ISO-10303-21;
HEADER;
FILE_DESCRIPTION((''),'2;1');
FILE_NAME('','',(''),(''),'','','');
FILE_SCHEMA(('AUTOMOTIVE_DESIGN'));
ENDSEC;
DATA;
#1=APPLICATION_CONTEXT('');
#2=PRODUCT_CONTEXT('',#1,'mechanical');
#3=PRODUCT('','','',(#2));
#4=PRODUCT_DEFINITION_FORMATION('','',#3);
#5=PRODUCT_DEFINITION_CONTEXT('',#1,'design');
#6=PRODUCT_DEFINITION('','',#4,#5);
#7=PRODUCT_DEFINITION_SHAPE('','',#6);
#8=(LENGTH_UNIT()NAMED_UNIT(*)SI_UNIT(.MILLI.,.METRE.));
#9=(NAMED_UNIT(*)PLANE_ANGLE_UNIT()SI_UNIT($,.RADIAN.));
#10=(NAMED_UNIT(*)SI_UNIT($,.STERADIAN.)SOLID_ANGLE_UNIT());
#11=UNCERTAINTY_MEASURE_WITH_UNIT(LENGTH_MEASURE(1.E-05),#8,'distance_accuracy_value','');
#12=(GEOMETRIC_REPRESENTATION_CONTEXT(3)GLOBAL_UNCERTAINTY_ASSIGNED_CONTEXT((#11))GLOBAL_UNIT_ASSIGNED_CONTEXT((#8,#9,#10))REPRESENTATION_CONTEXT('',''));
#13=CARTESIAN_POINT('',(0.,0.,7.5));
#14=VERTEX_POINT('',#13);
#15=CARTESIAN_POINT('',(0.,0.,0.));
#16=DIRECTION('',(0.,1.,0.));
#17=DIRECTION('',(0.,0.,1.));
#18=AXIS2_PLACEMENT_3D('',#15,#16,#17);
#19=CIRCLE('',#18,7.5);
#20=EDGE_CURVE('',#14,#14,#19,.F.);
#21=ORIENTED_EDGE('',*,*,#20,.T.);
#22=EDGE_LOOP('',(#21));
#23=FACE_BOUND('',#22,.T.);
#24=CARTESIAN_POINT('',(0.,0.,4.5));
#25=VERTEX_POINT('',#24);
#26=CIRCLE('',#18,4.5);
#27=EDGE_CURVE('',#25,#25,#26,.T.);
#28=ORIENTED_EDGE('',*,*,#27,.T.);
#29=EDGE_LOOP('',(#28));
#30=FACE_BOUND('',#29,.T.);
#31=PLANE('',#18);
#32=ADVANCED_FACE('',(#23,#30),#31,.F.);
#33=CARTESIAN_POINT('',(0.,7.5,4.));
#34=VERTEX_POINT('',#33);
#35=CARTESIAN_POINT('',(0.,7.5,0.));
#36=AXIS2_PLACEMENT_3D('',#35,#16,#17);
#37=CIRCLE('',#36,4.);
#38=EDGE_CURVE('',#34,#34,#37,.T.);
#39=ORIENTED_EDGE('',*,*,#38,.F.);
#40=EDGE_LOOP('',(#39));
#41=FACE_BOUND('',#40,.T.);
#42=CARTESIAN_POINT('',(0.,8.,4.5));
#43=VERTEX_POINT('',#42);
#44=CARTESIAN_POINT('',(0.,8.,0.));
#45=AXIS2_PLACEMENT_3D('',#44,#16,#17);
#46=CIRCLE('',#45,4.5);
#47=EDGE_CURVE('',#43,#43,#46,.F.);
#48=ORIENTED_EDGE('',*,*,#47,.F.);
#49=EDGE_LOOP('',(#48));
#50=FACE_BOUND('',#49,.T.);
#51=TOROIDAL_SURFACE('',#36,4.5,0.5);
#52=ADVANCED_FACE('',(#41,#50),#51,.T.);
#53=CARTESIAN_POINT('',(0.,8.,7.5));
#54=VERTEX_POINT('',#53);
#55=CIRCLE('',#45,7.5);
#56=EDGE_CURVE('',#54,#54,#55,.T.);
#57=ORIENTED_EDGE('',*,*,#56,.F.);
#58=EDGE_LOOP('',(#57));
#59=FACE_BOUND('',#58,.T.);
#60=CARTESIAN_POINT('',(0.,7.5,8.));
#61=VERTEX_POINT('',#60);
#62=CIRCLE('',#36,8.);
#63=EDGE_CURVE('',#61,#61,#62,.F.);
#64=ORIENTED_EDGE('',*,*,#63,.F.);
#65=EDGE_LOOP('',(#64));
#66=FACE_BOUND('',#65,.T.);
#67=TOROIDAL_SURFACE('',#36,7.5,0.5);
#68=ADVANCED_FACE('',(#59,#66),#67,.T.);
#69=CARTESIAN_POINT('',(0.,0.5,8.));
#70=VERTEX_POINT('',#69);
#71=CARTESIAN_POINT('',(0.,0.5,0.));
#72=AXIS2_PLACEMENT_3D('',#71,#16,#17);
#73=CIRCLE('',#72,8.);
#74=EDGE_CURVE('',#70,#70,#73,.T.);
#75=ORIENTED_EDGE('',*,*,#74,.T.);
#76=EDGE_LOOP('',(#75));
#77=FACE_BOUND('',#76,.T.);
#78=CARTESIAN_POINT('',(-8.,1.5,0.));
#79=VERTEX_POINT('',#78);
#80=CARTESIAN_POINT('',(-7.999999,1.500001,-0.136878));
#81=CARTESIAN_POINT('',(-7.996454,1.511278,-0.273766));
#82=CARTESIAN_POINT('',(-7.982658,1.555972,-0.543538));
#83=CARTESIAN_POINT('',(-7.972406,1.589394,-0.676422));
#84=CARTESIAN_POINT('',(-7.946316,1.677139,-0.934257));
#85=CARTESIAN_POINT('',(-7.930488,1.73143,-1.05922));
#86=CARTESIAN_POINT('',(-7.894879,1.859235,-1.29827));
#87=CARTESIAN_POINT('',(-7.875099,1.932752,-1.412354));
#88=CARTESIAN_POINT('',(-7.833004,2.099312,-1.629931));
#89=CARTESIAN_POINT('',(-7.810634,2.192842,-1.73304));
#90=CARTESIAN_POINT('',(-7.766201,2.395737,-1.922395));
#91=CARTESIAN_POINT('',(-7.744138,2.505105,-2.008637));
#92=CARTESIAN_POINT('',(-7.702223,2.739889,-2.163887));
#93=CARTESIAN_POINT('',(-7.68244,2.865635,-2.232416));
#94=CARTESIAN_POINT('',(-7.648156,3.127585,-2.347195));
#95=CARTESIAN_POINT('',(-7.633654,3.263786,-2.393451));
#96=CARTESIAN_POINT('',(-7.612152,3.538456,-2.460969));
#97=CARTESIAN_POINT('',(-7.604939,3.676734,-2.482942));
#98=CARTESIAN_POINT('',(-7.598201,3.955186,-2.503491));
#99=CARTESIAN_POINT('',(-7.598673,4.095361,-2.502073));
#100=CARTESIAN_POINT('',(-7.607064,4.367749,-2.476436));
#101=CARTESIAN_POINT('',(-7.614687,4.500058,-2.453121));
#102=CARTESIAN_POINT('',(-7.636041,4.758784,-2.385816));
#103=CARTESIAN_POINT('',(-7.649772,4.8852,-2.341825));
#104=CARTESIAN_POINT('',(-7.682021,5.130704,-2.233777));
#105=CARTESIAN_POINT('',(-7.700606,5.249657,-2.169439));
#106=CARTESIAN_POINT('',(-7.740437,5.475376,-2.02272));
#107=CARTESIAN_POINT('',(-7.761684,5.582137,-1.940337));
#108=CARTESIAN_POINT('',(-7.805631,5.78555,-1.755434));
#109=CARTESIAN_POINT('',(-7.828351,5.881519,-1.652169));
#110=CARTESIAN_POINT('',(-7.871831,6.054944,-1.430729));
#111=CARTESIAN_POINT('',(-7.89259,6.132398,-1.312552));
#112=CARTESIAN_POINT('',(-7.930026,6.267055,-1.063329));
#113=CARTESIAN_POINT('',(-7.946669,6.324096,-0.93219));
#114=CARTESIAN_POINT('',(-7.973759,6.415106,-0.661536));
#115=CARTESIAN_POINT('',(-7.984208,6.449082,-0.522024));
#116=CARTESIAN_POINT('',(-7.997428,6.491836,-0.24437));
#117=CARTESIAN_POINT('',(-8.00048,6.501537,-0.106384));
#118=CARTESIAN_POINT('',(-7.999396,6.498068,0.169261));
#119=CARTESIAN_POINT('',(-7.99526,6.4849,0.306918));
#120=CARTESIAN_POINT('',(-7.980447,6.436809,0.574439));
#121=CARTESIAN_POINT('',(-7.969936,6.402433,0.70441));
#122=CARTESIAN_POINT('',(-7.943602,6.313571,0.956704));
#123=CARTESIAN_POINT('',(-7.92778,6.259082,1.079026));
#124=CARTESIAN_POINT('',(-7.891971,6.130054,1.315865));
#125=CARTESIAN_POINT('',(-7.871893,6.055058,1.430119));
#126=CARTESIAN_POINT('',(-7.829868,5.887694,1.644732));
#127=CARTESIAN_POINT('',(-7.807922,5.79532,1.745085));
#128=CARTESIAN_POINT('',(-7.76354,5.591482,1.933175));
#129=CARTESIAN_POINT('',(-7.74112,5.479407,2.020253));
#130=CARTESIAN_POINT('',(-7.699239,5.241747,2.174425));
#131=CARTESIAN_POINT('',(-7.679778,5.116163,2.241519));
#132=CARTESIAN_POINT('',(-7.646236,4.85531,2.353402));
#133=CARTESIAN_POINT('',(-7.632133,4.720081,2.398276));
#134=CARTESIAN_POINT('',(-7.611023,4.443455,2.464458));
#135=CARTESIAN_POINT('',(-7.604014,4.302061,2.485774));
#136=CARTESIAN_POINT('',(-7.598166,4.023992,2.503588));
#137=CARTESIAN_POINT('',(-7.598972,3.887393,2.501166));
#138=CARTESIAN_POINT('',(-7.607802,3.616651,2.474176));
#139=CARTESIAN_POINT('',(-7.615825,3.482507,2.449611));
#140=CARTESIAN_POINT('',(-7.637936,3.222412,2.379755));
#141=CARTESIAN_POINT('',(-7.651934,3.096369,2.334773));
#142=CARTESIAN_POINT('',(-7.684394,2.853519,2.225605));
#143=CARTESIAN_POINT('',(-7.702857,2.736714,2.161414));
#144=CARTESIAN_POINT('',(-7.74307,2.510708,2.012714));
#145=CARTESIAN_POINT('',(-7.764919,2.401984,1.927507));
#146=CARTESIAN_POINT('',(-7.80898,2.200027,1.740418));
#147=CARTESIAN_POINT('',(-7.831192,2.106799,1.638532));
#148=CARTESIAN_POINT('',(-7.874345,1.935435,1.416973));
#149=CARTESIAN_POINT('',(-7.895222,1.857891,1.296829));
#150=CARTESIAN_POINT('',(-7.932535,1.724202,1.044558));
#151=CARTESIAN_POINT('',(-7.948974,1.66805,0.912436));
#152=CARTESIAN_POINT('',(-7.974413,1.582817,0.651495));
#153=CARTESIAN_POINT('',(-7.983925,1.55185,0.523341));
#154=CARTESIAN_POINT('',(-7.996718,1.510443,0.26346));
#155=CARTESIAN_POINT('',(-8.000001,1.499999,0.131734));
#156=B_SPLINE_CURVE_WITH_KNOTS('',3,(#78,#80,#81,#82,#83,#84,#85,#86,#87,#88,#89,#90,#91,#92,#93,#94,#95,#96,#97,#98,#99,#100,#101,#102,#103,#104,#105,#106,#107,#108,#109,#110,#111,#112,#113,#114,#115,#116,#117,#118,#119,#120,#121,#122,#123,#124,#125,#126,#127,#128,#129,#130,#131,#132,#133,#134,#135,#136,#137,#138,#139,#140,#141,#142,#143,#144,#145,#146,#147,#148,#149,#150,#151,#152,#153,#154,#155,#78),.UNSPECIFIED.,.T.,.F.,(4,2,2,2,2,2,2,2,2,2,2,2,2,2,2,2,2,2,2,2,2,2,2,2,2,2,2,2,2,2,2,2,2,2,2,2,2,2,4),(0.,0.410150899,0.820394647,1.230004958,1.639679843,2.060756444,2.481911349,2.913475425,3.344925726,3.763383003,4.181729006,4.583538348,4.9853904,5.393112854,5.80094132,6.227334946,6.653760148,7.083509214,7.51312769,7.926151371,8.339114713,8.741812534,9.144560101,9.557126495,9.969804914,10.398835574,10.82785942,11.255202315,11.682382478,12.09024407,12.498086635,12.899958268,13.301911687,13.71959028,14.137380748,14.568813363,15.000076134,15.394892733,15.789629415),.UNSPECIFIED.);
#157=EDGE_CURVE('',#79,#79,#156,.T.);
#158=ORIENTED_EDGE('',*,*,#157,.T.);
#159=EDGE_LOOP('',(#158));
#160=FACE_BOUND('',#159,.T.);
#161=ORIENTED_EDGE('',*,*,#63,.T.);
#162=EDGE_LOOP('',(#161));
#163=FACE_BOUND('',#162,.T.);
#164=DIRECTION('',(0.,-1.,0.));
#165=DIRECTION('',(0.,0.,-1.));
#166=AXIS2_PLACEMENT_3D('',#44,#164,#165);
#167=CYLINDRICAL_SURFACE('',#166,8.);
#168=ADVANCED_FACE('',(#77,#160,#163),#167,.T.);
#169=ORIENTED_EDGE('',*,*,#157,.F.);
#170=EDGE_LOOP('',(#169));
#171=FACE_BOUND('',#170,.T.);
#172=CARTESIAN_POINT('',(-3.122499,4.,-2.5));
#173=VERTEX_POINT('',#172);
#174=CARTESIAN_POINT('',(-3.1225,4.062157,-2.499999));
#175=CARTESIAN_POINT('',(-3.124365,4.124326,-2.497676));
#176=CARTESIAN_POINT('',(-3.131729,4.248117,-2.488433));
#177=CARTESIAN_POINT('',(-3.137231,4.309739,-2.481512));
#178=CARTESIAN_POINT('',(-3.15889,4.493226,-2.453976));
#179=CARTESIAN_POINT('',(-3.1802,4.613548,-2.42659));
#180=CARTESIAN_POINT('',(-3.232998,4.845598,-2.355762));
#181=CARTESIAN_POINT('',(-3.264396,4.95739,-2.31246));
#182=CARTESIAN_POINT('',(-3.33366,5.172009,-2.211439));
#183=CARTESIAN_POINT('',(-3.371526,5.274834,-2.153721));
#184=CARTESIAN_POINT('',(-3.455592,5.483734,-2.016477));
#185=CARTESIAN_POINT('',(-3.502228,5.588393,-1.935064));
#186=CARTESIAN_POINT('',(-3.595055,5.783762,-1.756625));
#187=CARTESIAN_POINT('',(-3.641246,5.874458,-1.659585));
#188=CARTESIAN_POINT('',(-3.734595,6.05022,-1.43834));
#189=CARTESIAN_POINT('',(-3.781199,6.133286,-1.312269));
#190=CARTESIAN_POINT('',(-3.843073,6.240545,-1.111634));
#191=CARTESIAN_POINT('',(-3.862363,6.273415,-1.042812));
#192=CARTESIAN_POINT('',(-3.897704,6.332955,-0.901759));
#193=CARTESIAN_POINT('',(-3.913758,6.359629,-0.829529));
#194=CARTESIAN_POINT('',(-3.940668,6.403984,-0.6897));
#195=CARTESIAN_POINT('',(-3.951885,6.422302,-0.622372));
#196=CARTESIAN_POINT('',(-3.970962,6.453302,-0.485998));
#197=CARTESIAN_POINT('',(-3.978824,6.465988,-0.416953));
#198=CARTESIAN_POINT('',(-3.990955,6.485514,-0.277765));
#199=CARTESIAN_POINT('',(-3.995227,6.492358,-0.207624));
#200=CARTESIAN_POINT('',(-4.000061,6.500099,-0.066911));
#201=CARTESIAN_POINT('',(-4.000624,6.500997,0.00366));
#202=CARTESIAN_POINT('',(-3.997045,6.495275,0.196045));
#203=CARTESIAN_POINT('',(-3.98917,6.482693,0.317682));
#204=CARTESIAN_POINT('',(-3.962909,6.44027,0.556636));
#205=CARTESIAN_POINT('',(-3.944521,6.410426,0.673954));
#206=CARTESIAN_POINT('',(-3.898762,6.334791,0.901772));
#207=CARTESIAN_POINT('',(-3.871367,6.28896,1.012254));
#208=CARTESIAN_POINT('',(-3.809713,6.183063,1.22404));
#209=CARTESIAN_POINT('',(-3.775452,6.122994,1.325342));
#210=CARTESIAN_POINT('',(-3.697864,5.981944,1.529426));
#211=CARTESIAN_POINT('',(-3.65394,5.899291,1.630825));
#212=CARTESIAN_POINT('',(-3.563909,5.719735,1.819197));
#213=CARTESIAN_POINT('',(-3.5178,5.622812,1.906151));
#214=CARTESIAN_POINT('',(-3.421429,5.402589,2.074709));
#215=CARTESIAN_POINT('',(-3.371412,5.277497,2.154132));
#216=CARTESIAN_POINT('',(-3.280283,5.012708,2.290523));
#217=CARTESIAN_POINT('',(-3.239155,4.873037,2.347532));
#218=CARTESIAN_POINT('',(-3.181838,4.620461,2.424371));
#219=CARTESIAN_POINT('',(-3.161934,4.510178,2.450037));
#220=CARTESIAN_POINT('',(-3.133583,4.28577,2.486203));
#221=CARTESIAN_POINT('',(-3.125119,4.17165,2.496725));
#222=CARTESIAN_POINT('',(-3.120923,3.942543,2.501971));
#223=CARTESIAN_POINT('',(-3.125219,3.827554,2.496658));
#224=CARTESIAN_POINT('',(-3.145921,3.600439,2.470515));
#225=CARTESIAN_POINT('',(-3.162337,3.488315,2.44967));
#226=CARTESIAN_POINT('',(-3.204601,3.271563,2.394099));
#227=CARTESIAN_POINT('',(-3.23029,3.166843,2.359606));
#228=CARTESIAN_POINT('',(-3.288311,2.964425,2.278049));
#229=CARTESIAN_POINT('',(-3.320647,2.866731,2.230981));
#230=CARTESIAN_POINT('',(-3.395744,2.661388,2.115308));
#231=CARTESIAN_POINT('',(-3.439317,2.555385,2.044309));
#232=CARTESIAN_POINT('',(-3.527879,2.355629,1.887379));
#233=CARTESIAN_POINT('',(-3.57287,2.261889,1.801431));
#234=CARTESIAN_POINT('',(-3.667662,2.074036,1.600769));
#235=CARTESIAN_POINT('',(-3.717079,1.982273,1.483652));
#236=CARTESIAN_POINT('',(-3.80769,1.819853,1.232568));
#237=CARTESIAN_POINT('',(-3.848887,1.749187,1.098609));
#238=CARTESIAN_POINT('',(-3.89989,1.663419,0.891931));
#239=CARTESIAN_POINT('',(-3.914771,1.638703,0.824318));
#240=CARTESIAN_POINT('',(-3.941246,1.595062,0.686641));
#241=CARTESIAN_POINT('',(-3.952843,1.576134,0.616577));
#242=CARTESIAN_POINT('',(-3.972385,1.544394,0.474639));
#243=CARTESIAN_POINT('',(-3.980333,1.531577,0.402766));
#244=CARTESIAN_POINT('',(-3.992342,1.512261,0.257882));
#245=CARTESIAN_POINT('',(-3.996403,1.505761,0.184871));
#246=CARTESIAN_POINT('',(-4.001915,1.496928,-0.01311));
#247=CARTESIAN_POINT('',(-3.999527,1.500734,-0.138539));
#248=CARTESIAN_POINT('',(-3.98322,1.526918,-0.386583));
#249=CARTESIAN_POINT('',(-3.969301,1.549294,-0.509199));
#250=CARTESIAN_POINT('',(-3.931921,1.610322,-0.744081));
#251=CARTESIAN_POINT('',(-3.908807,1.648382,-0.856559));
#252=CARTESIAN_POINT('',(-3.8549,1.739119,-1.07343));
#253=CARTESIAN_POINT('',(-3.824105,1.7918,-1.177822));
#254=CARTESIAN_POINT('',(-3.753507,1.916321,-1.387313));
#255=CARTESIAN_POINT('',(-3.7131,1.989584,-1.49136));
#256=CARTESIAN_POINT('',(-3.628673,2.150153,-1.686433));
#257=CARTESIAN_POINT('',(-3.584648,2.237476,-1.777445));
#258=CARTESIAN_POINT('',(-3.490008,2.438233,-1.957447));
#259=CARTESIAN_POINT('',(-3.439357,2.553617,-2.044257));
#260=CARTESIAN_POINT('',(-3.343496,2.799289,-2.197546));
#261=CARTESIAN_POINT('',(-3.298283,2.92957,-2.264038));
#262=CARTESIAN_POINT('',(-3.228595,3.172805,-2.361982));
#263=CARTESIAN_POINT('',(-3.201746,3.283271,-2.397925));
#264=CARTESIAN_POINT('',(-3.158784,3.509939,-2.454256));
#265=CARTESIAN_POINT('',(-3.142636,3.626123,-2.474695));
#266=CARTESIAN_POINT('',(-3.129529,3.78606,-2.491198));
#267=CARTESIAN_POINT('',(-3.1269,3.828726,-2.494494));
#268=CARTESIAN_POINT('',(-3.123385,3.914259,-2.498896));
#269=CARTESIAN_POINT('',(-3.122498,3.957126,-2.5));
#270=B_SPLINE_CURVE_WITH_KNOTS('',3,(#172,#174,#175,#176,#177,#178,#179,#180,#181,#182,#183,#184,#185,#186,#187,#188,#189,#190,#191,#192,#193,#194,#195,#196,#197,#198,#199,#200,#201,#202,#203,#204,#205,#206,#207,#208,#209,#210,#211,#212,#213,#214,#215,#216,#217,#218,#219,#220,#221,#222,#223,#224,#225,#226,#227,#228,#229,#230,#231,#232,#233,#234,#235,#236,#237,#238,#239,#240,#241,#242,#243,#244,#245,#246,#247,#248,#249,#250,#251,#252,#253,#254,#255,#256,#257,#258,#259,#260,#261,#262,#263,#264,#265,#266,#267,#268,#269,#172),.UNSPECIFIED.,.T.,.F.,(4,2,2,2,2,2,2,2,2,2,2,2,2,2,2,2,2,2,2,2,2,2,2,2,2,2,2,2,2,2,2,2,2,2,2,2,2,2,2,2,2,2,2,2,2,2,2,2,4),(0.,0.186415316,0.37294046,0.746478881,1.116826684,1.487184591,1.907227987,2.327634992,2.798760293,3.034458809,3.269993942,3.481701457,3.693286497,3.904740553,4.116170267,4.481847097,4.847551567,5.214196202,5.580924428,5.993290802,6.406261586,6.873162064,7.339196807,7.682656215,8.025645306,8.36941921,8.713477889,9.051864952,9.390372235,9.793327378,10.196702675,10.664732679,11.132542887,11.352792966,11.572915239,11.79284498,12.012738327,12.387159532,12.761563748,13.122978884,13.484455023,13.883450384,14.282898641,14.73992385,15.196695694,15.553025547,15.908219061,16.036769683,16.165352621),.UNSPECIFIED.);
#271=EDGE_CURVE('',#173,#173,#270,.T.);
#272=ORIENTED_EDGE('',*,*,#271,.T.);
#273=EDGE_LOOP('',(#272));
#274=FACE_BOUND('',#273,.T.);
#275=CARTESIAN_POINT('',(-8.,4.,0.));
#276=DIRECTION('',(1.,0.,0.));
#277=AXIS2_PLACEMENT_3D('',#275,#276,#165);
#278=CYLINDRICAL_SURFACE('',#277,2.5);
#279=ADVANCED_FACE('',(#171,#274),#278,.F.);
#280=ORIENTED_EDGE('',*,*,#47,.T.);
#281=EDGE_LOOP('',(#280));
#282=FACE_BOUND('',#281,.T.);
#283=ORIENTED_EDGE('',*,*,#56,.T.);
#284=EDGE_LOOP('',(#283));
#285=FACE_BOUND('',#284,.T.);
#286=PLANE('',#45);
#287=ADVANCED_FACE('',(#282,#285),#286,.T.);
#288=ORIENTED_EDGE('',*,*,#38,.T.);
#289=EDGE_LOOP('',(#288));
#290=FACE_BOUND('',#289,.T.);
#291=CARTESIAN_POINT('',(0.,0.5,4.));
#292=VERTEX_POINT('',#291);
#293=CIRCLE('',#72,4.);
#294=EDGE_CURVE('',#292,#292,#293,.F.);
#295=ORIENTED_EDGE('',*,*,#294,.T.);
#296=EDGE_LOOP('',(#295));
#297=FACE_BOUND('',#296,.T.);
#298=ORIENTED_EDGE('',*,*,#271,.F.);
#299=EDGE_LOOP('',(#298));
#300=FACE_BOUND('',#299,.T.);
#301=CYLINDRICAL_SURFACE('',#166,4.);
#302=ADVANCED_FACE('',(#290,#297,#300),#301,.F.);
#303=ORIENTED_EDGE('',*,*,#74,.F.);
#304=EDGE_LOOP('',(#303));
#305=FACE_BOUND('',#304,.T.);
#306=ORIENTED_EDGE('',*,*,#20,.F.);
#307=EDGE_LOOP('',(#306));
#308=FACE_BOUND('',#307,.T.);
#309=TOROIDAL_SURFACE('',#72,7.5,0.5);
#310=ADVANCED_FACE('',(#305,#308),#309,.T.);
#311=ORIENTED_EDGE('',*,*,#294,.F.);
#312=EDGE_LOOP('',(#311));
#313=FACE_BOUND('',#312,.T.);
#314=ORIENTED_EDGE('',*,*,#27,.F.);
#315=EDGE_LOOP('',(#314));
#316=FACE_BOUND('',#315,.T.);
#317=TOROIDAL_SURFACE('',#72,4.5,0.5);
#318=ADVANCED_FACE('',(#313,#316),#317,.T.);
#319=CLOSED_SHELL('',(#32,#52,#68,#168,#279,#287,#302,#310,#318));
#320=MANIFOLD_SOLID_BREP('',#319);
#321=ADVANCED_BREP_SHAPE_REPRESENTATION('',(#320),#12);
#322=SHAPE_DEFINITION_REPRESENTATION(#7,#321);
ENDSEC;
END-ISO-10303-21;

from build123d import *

# Parameters (mm, degrees)
SKETCH1_R           = 8
SKETCH1_R_2         = 4
BOSS_EXTRUDE1_DEPTH = 8
SKETCH4_R           = 2.5
CUT_EXTRUDE1_DEPTH  = 8
FILLET1_R           = 0.5


with BuildPart() as part:
    # Sketch1 → Boss-Extrude1 (new body)
    with BuildSketch(Plane(origin=(0, 0, 0), x_dir=(1, 0, 0), z_dir=(0, 1, 0))):
        with Locations(Location((0, 0, 0), (0, 0, 270))):
            Circle(SKETCH1_R)
        with Locations(Location((0, 0, 0), (0, 0, 270))):
            Circle(SKETCH1_R_2, mode=Mode.SUBTRACT)
    extrude(amount=BOSS_EXTRUDE1_DEPTH)

    # Sketch4 → Cut-Extrude1 (cut)
    with BuildSketch(Plane(origin=(0, 0, 0), x_dir=(0, 0, -1), z_dir=(1, 0, 0))):
        with Locations((0, 4)):
            Circle(SKETCH4_R)
    extrude(amount=-CUT_EXTRUDE1_DEPTH, mode=Mode.SUBTRACT)

    # Fillet1
    fillet1_edges = [part.edges().sort_by_distance(p)[0] for p in [
        (0, 0, -8),
        (0, 8, -8),
        (0, 0, -4),
        (0, 8, -4),
    ]]
    fillet(fillet1_edges, radius=FILLET1_R)


solid = part.part
